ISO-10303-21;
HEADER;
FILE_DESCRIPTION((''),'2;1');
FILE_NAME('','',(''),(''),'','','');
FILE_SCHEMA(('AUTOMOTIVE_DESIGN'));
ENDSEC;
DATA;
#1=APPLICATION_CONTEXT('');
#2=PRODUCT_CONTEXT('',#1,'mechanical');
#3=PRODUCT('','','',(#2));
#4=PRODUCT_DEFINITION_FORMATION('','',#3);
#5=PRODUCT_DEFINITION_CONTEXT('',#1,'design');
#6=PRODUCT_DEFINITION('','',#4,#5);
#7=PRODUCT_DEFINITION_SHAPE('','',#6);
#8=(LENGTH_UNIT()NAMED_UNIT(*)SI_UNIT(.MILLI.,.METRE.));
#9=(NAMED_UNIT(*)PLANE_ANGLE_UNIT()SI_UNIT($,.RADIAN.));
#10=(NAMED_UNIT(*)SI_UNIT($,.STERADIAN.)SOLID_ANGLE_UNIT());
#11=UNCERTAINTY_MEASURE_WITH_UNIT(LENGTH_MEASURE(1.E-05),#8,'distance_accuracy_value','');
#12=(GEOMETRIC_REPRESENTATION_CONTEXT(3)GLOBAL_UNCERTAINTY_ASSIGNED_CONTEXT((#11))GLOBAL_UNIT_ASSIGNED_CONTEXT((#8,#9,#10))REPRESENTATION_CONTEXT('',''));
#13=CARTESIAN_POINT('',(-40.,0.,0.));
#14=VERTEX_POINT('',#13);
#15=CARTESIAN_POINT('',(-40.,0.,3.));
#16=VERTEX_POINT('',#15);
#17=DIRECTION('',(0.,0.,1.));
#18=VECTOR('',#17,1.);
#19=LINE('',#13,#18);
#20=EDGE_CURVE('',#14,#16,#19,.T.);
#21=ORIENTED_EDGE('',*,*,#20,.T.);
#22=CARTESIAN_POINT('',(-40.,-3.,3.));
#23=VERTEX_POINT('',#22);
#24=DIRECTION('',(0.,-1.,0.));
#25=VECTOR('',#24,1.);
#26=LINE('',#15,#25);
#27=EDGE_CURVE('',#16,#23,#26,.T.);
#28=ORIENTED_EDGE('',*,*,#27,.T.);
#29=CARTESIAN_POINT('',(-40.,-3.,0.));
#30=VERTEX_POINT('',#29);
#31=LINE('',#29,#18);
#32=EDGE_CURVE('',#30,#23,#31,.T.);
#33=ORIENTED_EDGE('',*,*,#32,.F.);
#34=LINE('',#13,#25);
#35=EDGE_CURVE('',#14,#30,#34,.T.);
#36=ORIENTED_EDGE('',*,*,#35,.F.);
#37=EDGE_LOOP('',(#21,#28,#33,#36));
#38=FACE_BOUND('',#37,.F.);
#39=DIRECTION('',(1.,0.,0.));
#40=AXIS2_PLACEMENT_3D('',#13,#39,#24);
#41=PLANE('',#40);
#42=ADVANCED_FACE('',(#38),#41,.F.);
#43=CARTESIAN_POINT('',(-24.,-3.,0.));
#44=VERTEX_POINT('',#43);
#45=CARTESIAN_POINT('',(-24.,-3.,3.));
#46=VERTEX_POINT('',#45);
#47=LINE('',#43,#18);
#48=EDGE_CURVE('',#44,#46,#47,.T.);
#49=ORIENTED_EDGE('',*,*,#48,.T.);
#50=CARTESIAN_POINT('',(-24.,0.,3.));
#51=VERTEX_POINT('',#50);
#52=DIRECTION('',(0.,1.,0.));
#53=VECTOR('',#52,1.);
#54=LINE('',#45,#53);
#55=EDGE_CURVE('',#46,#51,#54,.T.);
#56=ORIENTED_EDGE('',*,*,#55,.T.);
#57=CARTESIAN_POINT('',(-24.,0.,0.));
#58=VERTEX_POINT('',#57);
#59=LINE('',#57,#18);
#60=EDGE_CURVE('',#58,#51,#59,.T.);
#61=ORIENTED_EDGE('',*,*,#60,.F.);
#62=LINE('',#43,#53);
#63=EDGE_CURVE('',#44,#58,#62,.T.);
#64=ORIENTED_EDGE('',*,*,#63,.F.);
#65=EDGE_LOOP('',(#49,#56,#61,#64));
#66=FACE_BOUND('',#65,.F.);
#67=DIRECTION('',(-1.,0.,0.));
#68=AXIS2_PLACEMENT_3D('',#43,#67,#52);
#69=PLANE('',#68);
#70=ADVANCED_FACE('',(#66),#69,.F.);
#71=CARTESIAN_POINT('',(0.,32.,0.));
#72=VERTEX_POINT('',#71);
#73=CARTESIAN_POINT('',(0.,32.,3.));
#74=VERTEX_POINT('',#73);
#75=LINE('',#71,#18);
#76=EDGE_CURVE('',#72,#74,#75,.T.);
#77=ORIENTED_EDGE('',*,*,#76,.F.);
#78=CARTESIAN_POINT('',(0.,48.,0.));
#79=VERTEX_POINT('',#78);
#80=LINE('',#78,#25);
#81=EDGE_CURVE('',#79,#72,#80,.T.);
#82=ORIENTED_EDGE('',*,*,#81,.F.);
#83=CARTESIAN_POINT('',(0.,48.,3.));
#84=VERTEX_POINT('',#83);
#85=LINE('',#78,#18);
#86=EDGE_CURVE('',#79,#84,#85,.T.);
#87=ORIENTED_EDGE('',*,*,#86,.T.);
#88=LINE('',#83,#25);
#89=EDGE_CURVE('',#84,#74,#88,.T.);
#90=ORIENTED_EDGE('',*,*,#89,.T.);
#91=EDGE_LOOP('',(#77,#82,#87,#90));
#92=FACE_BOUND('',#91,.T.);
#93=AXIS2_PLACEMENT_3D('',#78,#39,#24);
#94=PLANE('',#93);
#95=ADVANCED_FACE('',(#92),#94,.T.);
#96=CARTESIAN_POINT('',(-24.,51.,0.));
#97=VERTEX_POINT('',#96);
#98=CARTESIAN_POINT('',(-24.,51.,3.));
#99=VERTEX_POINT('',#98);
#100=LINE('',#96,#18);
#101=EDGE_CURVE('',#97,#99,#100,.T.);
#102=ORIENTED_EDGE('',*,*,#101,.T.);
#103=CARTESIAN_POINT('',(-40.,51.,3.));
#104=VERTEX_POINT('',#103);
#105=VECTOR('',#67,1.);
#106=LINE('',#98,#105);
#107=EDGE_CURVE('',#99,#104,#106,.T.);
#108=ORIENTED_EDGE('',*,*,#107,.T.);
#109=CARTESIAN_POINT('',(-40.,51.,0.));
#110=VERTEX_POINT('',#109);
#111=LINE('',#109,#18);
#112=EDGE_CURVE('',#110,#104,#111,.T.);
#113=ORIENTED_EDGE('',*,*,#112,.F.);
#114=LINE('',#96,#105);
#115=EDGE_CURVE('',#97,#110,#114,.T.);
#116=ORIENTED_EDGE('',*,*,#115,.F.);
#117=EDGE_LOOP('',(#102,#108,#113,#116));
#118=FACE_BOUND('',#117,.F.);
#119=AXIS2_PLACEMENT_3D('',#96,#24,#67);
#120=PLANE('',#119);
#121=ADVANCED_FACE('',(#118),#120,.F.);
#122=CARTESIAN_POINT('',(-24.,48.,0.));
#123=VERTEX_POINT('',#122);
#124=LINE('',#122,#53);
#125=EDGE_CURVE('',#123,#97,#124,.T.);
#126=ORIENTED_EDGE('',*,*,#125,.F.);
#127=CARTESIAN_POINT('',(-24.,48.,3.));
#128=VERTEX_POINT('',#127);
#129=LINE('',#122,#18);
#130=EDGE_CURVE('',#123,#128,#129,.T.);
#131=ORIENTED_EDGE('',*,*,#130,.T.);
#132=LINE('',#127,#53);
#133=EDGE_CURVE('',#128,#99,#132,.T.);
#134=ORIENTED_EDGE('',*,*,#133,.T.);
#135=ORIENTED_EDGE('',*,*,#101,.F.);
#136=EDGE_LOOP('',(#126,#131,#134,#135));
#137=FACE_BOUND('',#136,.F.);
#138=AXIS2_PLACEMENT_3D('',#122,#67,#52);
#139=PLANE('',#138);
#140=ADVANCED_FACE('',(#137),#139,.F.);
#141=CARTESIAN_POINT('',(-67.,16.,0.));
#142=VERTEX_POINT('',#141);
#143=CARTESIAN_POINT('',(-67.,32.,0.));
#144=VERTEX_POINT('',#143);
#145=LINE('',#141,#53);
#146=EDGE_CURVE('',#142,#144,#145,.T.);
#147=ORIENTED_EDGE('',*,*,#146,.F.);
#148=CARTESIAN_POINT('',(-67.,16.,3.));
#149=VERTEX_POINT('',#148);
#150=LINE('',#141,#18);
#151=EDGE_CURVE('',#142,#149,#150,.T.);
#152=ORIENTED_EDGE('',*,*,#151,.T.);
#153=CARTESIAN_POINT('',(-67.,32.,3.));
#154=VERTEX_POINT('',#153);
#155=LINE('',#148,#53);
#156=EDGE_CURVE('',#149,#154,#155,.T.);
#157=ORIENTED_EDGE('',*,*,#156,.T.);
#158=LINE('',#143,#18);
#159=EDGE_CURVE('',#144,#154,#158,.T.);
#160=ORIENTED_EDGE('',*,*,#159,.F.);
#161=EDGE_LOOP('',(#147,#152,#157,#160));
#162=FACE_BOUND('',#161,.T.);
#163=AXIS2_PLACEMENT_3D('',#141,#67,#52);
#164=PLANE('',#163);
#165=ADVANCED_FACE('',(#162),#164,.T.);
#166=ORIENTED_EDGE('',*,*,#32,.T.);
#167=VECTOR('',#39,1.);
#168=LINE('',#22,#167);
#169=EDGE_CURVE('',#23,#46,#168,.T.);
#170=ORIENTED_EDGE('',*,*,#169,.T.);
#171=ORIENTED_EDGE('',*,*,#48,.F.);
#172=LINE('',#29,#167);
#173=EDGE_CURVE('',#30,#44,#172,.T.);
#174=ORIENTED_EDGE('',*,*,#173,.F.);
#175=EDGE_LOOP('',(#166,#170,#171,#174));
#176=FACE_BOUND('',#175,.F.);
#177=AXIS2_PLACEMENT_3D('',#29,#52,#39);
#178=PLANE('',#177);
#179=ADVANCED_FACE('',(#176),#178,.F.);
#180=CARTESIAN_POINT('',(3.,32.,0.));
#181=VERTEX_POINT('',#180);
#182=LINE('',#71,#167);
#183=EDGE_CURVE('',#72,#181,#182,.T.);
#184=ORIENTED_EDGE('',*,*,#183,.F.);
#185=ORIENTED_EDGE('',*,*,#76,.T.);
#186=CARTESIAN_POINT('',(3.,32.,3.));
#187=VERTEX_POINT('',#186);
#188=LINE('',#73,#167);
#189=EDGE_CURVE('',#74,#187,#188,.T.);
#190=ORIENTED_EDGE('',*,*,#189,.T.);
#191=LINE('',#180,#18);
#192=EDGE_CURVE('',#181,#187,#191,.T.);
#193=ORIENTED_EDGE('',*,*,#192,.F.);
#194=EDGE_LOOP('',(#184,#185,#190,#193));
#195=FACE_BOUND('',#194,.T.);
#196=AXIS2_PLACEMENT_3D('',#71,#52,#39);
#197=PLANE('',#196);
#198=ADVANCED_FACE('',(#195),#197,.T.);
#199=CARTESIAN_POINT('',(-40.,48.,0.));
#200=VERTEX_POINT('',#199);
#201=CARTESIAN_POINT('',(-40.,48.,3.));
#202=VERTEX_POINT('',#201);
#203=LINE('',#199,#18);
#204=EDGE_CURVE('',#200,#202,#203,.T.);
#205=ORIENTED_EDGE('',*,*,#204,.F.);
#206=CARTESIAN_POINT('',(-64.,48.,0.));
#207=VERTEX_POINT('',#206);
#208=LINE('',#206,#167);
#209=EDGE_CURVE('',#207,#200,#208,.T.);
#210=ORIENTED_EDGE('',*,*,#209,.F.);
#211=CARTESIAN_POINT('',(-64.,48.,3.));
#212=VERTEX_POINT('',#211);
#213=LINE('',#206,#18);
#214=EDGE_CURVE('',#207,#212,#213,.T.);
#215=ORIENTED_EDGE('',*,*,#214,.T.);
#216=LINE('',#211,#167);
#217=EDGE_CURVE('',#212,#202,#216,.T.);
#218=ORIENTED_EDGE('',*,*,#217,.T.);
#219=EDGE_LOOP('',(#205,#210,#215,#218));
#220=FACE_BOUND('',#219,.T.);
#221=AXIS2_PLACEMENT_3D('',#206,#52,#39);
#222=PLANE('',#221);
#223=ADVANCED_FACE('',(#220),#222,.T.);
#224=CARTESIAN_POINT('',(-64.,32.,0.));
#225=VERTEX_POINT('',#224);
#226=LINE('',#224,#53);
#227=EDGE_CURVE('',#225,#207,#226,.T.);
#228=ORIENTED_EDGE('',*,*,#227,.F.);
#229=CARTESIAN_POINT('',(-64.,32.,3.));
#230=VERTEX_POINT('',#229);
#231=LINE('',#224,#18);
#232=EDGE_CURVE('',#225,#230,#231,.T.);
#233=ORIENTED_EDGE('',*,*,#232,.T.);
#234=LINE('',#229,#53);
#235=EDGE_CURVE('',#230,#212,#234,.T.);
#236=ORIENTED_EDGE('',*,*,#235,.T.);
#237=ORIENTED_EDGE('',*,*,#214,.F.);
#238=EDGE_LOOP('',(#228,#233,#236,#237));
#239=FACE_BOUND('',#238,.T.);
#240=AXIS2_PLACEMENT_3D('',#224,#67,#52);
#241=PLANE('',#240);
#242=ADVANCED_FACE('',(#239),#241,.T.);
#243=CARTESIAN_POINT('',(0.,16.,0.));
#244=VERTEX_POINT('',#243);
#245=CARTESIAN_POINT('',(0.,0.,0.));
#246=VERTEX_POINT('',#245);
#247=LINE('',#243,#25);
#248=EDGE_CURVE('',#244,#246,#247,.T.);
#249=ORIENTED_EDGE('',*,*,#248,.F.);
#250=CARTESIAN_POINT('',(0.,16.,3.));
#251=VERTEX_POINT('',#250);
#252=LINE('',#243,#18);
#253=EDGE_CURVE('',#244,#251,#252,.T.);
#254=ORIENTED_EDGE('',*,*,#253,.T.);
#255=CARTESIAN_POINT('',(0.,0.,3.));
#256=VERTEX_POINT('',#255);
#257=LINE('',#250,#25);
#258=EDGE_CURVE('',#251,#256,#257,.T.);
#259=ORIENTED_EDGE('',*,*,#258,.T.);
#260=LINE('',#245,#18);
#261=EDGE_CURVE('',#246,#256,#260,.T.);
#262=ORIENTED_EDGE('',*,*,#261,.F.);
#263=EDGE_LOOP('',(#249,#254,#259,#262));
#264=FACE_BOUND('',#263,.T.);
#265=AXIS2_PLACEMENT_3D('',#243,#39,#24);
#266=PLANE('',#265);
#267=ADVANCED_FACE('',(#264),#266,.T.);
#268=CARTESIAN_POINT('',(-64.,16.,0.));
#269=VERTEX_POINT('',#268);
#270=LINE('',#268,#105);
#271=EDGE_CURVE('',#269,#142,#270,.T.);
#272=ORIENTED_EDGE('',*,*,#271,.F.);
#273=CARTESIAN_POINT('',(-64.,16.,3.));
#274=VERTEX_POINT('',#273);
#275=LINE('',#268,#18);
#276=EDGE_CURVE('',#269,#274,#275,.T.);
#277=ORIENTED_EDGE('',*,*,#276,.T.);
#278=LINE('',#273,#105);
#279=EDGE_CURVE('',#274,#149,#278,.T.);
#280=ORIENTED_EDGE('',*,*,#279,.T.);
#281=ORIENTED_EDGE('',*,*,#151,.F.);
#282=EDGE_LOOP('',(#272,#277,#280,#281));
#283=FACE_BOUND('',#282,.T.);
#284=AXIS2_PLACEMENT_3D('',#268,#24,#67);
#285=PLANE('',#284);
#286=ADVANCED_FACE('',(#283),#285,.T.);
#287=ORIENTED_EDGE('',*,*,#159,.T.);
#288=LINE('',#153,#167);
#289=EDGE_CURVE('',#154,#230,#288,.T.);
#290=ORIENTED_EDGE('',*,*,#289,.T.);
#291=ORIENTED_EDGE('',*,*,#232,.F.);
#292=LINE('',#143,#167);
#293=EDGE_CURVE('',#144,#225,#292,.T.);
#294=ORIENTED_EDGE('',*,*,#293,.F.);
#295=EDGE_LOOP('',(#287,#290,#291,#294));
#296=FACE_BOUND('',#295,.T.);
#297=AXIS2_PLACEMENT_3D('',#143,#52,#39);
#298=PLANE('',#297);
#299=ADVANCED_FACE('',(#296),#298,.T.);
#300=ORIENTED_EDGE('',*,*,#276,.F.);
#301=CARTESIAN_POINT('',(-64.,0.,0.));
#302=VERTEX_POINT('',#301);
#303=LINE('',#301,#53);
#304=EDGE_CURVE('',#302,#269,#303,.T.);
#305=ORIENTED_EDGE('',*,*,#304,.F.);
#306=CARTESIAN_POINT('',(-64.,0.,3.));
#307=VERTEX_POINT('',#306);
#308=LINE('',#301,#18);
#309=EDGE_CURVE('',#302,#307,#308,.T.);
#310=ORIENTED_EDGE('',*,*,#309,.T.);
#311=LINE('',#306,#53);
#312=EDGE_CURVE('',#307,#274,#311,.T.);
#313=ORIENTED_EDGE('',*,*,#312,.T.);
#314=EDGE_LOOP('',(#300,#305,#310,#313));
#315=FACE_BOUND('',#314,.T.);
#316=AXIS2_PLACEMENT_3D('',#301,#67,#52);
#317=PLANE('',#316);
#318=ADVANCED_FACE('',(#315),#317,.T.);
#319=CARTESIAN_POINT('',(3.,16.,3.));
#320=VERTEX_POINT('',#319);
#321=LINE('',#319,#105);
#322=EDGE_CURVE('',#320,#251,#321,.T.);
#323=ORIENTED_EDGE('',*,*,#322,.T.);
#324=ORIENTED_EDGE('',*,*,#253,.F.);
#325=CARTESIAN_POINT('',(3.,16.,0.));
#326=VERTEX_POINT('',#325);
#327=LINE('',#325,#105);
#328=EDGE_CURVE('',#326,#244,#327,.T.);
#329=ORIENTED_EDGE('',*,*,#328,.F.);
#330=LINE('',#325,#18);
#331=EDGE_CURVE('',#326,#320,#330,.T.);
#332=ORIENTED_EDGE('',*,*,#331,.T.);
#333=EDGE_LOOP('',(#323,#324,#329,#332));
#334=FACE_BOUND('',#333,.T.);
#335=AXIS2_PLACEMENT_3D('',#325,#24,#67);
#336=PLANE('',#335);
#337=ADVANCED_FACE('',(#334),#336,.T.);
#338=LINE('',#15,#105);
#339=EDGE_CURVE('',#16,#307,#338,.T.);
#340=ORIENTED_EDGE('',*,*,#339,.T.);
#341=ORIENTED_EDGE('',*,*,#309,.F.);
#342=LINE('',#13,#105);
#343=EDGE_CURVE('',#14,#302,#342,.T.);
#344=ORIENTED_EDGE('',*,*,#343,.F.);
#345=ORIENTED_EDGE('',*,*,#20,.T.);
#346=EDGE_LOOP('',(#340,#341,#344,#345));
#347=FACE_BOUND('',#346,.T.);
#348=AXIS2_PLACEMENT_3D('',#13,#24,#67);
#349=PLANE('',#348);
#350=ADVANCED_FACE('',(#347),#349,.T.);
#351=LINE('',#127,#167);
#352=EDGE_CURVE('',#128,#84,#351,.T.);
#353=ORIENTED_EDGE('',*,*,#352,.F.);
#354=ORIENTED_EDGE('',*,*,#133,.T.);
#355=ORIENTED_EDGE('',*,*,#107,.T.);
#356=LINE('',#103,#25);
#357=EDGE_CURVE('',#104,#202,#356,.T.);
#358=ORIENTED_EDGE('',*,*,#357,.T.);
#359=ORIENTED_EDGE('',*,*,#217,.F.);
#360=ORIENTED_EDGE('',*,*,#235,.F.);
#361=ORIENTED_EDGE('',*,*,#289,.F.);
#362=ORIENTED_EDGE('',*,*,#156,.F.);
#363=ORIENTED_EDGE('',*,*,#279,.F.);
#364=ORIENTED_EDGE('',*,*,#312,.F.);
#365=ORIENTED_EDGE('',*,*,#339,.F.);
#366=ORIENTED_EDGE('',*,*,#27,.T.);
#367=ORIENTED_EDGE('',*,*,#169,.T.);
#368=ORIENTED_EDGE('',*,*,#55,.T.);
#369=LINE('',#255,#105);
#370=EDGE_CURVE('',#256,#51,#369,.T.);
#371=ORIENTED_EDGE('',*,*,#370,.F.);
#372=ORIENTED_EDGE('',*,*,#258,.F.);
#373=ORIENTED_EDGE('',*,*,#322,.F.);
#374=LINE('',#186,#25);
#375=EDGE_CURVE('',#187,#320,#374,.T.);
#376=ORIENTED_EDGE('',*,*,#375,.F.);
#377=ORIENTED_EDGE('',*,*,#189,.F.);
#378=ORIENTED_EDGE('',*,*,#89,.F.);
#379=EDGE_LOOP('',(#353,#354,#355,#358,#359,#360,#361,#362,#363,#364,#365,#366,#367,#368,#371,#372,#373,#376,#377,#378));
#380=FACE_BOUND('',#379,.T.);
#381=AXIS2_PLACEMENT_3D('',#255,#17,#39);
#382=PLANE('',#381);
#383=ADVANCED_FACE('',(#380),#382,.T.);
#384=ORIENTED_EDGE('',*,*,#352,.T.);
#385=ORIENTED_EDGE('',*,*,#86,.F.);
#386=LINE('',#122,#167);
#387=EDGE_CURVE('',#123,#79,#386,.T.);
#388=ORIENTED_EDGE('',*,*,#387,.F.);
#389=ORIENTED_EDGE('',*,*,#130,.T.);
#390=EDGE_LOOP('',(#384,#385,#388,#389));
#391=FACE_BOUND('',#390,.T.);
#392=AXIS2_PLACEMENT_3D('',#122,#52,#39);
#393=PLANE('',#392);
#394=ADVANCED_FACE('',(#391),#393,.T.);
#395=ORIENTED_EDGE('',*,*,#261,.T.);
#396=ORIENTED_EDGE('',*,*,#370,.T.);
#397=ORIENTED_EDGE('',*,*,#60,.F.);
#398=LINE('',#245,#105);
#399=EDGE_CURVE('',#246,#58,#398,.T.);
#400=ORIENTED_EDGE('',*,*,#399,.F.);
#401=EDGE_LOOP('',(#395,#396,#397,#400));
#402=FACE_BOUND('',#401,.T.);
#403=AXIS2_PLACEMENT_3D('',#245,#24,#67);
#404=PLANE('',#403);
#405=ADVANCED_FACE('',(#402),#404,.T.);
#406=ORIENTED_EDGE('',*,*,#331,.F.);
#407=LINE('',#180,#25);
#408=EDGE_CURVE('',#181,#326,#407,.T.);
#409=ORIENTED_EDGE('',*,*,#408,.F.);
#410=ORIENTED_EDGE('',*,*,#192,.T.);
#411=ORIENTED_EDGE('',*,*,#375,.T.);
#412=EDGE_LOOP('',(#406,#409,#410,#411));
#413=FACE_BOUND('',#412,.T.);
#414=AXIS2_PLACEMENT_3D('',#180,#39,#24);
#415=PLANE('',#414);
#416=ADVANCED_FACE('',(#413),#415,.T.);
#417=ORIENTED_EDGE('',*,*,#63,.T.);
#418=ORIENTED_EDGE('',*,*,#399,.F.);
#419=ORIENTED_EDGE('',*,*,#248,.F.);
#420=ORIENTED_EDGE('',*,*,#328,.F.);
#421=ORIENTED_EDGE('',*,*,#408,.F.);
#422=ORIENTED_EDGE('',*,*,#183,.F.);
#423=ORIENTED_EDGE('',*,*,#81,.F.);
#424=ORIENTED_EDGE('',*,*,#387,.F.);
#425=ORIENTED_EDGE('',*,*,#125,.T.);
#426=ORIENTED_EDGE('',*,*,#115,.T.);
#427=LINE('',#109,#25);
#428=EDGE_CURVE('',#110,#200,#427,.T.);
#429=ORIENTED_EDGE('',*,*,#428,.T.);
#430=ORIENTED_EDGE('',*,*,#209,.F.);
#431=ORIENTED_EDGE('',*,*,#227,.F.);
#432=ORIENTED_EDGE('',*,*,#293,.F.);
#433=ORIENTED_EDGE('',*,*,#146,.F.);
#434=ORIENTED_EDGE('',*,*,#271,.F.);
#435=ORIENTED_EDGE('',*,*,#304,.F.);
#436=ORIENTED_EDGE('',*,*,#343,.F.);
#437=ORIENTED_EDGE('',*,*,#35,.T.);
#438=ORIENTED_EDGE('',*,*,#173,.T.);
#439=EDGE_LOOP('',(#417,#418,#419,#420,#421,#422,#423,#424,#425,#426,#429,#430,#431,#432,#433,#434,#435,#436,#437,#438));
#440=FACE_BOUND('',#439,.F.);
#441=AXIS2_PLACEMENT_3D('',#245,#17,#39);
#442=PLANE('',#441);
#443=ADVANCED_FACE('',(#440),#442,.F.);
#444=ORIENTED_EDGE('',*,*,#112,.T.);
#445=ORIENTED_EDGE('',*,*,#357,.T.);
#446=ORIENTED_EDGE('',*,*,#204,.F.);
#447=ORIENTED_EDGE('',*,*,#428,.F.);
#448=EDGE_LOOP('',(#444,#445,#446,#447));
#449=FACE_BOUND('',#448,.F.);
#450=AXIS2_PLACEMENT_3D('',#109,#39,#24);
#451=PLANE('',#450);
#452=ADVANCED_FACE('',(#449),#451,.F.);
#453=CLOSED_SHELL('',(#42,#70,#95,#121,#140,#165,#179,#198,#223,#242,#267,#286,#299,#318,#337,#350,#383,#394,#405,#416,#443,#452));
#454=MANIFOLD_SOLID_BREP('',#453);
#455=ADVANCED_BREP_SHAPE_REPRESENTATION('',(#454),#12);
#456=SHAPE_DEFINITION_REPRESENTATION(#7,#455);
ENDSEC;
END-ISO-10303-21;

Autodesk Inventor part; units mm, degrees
ref_plane "YZ Plane" through (0, 0, 0) normal (1, 0, 0) x (0, 1, 0)
ref_plane "XZ Plane" through (0, 0, 0) normal (0, 1, 0) x (-1, 0, 0)
ref_plane "XY Plane" through (0, 0, 0) normal (0, 0, 1) x (1, 0, 0)
sketch "Sketch1" plane through (0, 0, 0) normal (0, 0, 1) x (1, 0, 0)
  line L0 (-24, 48) -> (-24, 51)
  line L1 (-24, 51) -> (-40, 51)
  line L2 (-40, 51) -> (-40, 48)
  line L3 (0, 32) -> (3, 32)
  line L4 (3, 32) -> (3, 16)
  line L5 (3, 16) -> (0, 16)
  line L6 (-40, 0) -> (-40, -3)
  line L7 (-40, -3) -> (-24, -3)
  line L8 (-24, -3) -> (-24, 0)
  line L9 (-64, 16) -> (-67, 16)
  line L10 (-67, 16) -> (-67, 32)
  line L11 (-67, 32) -> (-64, 32)
  line L12 (-64, 48) -> (-40, 48)
  line L13 (-24, 48) -> (0, 48)
  line L14 (-64, 0) -> (-64, 16)
  line L15 (-64, 32) -> (-64, 48)
  line L16 (0, 0) -> (-24, 0)
  line L17 (-40, 0) -> (-64, 0)
  line L18 (0, 48) -> (0, 32)
  line L19 (0, 16) -> (0, 0)
  point P0 (0, 0)
  dimension "d3" = 16
  dimension "d4" = 16
  dimension "d8" = 64
  dimension "d9" = 48
  dimension "d10" = 3
  dimension "d11" = 3
  dimension "d12" = 24
  dimension "d13" = 24
  dimension "d14" = 16
  dimension "d15" = 3
extrude "Plate1" add sketch "Sketch1" along normal blind 3
equation "\"d16\" = Thickness"
equation "\"BendRadius\" = Thickness"
equation "\"BendReliefWidth\" = Thickness"
equation "\"BendReliefDepth\" = 0.5 * Thickness"
equation "\"CornerReliefSize\" = 4 * Thickness"
equation "\"MinimumRemnant\" = 2 * Thickness"
equation "\"TransitionRadius\" = BendRadius"
equation "\"JacobiRadiusSize\" = BendRadius"
equation "\"GapSize\" = Thickness"
equation "\"Thickness\" = 3"
properties part number "front plate" material "Hardboard"
